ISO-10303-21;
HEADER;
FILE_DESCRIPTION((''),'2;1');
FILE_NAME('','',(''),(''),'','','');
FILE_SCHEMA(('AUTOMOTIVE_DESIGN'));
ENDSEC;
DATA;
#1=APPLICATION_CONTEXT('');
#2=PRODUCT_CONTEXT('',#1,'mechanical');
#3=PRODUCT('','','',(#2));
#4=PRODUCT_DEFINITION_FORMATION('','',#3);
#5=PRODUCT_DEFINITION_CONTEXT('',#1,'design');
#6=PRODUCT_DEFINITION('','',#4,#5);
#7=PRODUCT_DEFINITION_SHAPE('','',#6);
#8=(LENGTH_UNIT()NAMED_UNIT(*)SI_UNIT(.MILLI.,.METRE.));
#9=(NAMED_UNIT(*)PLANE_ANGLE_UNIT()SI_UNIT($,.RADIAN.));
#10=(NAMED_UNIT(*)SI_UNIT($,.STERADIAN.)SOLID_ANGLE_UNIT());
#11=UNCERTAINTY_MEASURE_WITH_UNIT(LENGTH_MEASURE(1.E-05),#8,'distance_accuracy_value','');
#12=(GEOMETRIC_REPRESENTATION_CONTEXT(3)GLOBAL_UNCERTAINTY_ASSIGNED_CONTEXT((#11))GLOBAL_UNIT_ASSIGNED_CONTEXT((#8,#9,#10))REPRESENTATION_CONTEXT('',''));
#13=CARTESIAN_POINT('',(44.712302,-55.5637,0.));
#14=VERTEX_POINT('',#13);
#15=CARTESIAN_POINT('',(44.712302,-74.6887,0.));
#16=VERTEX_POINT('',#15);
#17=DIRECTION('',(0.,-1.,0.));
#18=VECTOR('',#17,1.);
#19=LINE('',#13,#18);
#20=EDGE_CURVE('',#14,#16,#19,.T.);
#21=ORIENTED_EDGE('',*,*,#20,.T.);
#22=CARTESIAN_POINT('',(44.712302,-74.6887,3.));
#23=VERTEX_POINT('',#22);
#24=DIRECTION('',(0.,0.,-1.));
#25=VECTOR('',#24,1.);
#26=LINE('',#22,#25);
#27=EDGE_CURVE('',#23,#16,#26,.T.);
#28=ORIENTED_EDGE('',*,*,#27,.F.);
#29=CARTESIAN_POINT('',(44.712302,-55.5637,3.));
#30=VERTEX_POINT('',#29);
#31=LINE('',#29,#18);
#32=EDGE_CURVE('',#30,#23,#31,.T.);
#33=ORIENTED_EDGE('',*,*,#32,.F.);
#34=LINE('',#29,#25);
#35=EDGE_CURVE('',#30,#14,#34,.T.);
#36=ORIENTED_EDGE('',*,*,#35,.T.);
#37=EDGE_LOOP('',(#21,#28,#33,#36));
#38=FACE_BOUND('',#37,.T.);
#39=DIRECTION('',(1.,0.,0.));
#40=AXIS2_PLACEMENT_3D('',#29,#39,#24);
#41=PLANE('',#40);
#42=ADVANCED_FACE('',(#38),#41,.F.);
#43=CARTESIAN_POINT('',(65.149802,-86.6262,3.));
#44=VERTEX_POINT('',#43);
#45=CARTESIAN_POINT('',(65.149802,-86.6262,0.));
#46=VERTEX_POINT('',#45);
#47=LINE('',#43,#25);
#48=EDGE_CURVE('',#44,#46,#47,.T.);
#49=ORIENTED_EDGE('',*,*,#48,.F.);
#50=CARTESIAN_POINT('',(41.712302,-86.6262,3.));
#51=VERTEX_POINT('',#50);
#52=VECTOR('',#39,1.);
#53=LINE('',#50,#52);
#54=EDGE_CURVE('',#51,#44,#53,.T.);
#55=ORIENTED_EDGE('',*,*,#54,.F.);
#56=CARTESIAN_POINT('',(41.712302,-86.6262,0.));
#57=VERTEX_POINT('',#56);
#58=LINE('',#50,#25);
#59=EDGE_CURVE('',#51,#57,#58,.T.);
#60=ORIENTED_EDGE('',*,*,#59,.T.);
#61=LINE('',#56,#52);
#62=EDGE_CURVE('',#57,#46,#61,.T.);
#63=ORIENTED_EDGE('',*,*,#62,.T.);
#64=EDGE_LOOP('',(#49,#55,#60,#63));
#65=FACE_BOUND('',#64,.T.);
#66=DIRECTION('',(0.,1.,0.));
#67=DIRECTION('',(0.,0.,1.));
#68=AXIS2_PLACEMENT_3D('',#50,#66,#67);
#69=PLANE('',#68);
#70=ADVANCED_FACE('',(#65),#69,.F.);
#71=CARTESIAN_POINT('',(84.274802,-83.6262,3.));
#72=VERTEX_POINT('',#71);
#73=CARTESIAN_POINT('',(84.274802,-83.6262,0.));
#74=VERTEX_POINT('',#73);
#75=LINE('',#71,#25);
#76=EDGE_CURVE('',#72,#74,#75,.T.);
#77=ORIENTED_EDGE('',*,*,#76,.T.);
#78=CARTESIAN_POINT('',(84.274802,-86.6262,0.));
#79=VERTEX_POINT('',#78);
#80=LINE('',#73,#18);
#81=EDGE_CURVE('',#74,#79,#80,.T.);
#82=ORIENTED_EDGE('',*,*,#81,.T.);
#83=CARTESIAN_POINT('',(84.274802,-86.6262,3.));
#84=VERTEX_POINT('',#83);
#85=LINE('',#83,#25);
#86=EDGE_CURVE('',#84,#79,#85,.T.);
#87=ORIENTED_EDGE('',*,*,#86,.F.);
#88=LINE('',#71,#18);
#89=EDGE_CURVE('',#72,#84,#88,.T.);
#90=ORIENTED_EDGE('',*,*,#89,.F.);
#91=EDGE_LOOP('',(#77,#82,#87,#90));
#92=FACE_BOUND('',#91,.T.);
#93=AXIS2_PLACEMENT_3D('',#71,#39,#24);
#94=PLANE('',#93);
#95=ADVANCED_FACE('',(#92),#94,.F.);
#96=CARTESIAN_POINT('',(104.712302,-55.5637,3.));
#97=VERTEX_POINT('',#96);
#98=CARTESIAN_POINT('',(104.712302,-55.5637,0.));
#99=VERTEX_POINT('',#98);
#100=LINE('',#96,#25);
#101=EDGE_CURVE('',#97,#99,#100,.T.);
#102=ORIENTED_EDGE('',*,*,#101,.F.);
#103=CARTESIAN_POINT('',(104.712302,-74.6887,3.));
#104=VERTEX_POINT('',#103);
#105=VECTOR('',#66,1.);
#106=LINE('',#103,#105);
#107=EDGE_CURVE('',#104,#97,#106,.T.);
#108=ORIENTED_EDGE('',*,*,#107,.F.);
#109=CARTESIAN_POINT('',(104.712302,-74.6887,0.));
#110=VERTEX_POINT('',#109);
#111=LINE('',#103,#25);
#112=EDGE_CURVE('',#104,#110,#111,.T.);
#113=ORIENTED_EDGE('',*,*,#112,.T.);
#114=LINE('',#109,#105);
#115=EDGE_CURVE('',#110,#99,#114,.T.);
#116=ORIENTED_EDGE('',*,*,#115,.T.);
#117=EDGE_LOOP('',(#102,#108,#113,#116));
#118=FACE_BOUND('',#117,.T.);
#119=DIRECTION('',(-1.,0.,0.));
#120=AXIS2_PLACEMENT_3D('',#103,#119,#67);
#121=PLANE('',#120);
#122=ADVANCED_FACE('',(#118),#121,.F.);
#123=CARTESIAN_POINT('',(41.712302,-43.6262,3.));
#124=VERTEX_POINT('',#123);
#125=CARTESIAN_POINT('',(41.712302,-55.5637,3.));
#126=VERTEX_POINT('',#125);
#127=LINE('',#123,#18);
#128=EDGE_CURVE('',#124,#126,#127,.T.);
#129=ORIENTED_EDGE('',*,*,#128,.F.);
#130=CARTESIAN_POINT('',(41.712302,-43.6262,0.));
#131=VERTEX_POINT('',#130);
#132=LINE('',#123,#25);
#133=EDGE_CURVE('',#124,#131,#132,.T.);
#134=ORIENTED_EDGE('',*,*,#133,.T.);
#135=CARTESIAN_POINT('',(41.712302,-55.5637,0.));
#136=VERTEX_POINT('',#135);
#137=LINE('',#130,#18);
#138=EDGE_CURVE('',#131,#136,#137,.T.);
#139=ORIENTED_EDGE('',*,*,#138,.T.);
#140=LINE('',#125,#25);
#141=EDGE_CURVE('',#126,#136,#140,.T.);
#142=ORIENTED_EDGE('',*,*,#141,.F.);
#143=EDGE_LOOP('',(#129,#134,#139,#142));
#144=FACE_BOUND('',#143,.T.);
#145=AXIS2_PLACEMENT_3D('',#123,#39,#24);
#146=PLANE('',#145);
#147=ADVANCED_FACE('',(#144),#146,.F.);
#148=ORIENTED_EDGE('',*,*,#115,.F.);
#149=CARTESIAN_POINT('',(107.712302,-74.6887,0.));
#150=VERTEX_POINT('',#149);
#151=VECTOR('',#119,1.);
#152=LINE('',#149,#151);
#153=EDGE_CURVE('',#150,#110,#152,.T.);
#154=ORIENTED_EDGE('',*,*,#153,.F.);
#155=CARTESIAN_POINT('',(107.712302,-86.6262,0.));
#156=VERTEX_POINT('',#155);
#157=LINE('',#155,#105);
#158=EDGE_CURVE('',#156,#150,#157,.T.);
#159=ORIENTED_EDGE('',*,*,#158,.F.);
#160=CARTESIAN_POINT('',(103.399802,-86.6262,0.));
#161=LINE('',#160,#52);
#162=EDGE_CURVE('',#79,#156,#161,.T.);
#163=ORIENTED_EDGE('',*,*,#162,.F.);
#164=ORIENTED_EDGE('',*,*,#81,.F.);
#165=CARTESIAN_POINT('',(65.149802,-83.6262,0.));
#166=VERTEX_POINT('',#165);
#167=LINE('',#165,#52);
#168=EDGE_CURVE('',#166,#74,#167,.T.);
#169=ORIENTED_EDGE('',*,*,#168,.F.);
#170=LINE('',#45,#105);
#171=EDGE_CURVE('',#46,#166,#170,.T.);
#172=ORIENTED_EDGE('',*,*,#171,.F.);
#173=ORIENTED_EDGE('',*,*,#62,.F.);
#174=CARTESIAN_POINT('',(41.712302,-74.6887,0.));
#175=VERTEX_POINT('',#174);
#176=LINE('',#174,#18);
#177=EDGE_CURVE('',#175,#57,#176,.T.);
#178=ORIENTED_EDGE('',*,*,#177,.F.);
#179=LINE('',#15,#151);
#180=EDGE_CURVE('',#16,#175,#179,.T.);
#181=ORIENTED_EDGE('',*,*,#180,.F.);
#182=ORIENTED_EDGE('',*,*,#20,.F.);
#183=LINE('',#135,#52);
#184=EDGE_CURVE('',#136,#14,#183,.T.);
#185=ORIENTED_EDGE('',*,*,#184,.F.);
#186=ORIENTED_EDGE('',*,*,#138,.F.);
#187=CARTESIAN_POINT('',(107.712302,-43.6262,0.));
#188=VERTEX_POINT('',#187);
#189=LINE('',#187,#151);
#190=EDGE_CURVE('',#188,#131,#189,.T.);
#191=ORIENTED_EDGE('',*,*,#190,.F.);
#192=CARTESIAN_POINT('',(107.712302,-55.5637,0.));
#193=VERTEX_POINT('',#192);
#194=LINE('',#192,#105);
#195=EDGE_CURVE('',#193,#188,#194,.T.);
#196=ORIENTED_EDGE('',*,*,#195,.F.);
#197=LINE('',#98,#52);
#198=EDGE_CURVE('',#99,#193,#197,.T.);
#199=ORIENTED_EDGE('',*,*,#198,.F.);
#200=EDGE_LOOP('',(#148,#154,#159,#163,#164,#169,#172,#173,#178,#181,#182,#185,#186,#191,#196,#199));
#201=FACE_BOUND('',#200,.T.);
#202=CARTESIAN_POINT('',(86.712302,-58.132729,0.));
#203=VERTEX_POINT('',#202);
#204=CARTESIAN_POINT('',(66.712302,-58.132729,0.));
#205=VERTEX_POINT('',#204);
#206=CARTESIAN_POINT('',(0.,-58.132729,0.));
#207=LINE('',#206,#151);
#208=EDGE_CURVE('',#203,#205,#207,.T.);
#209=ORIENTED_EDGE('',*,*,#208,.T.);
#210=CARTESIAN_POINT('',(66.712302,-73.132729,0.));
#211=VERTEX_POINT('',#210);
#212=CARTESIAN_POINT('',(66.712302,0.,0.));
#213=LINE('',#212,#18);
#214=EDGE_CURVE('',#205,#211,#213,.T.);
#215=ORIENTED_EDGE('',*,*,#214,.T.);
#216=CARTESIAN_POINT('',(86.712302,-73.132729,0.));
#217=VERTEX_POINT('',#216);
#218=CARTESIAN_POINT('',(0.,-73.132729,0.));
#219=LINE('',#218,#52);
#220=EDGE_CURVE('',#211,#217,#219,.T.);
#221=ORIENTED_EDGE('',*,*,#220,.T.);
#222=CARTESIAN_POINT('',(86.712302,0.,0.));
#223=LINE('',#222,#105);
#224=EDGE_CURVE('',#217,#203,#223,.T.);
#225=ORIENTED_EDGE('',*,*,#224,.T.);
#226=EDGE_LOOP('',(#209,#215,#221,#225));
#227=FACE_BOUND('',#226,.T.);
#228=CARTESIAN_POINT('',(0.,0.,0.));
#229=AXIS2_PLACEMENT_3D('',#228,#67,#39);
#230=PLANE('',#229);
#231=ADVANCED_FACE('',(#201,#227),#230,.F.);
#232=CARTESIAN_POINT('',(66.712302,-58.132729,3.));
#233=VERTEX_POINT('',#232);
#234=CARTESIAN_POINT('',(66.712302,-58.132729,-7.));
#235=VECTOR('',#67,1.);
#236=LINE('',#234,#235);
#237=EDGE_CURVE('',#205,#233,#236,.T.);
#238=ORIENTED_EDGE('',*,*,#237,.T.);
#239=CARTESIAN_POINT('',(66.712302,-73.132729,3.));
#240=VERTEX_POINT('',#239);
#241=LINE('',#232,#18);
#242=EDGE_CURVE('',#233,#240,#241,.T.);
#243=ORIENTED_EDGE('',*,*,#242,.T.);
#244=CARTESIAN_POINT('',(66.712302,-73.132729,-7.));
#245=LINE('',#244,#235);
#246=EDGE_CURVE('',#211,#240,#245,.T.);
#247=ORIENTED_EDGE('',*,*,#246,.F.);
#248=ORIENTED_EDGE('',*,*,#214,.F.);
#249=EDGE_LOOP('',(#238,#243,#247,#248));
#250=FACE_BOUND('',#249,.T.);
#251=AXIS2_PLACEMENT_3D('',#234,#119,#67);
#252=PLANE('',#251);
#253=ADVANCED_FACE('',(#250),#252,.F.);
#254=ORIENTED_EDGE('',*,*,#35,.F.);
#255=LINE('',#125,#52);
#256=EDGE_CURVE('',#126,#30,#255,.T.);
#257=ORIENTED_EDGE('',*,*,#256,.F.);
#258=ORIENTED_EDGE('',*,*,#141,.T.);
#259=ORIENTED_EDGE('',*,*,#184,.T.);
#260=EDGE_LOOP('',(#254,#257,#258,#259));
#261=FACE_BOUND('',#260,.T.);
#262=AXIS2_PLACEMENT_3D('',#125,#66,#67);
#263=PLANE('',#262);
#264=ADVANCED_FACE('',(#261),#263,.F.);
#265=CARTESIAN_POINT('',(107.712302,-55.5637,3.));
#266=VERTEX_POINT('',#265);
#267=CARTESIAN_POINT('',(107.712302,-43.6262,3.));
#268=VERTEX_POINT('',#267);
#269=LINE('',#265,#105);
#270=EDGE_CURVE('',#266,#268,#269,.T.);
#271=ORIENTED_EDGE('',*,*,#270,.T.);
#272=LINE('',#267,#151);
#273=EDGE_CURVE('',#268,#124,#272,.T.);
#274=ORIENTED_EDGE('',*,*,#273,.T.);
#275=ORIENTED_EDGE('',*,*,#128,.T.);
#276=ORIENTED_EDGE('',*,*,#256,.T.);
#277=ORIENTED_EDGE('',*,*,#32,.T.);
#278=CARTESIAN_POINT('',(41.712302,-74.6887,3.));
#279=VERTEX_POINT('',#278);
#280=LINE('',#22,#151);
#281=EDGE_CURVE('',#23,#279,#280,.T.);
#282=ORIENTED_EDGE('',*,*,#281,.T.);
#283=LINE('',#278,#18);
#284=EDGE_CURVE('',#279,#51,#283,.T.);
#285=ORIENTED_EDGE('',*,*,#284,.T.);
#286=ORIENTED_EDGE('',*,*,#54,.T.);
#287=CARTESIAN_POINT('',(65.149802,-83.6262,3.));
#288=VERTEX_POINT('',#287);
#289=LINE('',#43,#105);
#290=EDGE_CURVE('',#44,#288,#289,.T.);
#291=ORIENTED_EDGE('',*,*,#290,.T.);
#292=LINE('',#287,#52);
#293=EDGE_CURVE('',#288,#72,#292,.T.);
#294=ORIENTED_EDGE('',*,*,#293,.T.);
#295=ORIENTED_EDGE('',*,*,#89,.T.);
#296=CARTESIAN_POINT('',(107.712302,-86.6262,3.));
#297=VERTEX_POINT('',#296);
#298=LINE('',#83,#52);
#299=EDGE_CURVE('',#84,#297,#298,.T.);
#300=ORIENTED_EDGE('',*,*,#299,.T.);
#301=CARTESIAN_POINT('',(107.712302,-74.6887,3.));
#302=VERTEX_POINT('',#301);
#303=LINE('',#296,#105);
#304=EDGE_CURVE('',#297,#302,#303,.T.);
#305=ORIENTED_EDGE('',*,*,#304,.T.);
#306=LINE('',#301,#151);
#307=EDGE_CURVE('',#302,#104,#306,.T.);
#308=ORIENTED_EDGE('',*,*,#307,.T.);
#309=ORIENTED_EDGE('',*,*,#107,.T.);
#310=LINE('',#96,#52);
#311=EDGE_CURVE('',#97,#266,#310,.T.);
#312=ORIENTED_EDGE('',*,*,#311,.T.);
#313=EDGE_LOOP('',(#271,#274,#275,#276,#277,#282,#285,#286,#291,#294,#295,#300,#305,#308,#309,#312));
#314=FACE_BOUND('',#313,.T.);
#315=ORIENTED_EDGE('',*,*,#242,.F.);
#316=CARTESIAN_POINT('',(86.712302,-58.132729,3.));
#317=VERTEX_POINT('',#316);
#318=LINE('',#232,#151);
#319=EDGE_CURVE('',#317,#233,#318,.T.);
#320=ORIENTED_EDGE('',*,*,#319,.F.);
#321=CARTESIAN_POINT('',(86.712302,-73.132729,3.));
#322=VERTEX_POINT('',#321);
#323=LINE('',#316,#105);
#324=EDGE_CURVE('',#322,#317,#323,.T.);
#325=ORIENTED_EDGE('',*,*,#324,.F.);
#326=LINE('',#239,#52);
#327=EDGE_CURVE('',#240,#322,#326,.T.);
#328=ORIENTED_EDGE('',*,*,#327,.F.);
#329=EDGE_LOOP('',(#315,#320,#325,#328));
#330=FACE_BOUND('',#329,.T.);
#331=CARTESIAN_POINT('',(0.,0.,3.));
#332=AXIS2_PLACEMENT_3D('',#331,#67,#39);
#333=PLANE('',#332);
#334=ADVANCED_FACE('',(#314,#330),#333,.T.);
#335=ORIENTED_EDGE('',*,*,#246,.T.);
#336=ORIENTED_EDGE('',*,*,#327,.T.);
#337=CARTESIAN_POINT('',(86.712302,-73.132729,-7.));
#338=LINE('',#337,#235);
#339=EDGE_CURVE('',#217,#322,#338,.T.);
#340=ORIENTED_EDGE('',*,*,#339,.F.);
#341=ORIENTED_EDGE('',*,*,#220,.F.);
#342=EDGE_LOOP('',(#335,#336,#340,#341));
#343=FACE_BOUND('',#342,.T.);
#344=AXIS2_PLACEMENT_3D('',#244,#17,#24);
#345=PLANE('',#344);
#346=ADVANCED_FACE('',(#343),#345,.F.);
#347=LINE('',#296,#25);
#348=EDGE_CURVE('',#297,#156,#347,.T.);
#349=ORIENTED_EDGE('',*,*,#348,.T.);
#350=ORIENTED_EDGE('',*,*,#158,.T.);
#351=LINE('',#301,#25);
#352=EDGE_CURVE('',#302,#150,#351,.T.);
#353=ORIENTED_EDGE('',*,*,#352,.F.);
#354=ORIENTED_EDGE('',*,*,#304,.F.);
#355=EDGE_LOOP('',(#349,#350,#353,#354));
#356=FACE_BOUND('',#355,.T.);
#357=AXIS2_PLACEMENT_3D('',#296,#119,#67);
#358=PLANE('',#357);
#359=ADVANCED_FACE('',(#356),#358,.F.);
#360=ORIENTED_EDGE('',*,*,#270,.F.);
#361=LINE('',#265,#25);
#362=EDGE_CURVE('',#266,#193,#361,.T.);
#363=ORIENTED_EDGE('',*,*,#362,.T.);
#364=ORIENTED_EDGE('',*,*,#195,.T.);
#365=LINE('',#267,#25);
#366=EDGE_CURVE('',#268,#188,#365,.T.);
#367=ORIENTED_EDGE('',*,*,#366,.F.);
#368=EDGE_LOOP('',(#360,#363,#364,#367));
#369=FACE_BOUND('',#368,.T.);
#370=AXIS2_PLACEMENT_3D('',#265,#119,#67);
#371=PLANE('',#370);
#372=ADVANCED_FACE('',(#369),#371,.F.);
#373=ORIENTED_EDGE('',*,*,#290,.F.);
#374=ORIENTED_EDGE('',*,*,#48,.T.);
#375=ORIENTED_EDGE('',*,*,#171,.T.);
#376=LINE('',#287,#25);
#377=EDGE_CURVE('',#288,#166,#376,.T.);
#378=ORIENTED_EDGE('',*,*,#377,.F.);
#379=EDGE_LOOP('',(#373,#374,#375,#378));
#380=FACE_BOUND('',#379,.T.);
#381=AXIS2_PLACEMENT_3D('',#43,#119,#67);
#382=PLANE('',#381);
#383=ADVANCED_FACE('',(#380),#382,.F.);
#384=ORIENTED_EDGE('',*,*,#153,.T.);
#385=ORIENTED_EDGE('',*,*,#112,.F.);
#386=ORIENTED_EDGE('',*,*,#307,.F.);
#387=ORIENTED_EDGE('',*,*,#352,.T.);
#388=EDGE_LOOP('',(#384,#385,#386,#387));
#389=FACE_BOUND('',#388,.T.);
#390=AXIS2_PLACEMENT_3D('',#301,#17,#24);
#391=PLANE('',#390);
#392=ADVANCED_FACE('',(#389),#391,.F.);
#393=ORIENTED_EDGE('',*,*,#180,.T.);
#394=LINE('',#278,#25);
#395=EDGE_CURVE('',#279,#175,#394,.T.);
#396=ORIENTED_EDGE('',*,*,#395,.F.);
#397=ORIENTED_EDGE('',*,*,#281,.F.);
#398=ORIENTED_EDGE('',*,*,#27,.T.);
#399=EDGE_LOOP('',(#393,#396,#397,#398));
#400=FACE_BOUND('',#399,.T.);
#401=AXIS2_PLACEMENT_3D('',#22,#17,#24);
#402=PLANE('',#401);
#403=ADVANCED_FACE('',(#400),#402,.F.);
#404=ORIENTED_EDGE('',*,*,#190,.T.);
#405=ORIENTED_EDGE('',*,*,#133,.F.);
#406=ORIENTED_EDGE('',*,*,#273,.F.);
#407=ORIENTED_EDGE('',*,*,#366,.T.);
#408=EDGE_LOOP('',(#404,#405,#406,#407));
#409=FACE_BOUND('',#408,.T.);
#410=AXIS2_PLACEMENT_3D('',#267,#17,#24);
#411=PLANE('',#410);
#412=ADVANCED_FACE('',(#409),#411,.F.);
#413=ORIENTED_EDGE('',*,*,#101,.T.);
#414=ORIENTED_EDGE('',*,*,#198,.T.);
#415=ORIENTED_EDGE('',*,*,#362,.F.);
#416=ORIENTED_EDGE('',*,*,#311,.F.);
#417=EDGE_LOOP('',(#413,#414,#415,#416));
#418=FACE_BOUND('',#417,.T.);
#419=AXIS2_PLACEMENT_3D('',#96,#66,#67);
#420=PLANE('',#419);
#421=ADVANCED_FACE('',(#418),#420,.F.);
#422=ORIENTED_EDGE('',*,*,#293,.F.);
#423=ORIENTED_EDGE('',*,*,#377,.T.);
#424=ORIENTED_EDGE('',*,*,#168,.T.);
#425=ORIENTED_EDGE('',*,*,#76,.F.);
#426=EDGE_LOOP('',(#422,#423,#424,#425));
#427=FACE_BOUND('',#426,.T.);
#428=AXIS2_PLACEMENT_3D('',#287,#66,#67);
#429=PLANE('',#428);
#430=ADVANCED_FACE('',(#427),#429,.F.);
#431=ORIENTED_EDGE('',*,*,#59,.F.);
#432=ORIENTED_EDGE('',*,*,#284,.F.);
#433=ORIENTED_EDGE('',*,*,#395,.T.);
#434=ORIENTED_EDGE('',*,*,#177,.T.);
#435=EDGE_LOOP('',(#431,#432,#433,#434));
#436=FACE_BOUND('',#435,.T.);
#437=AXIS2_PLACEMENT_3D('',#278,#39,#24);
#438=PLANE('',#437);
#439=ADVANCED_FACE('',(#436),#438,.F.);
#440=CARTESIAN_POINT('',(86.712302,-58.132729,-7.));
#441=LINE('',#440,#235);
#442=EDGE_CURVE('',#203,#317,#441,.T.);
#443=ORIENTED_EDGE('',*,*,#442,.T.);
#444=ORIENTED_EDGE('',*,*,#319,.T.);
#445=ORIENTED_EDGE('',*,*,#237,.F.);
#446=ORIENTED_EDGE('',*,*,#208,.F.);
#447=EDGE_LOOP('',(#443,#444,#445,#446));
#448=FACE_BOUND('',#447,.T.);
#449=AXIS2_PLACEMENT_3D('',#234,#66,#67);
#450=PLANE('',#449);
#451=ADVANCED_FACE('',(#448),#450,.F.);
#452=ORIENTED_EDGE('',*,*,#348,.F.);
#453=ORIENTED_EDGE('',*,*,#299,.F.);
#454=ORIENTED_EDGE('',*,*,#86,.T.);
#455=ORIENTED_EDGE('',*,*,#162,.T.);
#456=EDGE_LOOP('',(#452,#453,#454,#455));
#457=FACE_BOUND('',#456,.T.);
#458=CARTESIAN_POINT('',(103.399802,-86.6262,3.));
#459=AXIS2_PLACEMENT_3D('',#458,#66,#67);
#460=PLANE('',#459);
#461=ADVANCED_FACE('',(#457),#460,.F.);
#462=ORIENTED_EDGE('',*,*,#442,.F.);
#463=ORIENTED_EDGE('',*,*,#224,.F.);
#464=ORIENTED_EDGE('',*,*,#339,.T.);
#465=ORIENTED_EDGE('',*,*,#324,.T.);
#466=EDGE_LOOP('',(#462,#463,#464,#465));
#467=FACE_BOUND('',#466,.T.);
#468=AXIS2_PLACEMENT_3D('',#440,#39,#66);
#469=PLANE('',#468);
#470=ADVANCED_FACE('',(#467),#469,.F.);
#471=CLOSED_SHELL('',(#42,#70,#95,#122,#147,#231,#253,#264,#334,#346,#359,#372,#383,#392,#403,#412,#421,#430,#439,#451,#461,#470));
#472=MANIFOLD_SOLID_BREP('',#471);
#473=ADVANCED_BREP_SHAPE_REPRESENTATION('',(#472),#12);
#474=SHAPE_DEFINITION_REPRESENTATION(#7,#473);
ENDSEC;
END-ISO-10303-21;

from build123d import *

# Parameters (mm, degrees)
BOSS_EXTRUDE1_DEPTH = 3
SKETCH2_W           = 20
SKETCH2_H           = 15
CUT_EXTRUDE2_DEPTH  = 10


with BuildPart() as part:
    # Sketch1 → Boss-Extrude1 (new body)
    with BuildSketch(Plane.XY):
        Polygon((41.712301942, -43.626199709), (41.712301942, -55.563699709), (44.712301942, -55.563699709), (44.712301942, -74.688699709), (41.712301942, -74.688699709), (41.712301942, -86.626199709), (65.149801942, -86.626199709), (65.149801942, -83.626199709), (84.274801942, -83.626199709), (84.274801942, -86.626199709), (103.399801942, -86.626199709), (107.712301942, -86.626199709), (107.712301942, -74.688699709), (104.712301942, -74.688699709), (104.712301942, -55.563699709), (107.712301942, -55.563699709), (107.712301942, -43.626199709), align=None)
    extrude(amount=BOSS_EXTRUDE1_DEPTH)

    # Sketch2 → Cut-Extrude2 (cut)
    with BuildSketch(Plane.XY.offset(3)):
        with Locations((76.712301942, -65.632728749)):
            Rectangle(SKETCH2_W, SKETCH2_H)
    extrude(amount=-CUT_EXTRUDE2_DEPTH, mode=Mode.SUBTRACT)


solid = part.part
